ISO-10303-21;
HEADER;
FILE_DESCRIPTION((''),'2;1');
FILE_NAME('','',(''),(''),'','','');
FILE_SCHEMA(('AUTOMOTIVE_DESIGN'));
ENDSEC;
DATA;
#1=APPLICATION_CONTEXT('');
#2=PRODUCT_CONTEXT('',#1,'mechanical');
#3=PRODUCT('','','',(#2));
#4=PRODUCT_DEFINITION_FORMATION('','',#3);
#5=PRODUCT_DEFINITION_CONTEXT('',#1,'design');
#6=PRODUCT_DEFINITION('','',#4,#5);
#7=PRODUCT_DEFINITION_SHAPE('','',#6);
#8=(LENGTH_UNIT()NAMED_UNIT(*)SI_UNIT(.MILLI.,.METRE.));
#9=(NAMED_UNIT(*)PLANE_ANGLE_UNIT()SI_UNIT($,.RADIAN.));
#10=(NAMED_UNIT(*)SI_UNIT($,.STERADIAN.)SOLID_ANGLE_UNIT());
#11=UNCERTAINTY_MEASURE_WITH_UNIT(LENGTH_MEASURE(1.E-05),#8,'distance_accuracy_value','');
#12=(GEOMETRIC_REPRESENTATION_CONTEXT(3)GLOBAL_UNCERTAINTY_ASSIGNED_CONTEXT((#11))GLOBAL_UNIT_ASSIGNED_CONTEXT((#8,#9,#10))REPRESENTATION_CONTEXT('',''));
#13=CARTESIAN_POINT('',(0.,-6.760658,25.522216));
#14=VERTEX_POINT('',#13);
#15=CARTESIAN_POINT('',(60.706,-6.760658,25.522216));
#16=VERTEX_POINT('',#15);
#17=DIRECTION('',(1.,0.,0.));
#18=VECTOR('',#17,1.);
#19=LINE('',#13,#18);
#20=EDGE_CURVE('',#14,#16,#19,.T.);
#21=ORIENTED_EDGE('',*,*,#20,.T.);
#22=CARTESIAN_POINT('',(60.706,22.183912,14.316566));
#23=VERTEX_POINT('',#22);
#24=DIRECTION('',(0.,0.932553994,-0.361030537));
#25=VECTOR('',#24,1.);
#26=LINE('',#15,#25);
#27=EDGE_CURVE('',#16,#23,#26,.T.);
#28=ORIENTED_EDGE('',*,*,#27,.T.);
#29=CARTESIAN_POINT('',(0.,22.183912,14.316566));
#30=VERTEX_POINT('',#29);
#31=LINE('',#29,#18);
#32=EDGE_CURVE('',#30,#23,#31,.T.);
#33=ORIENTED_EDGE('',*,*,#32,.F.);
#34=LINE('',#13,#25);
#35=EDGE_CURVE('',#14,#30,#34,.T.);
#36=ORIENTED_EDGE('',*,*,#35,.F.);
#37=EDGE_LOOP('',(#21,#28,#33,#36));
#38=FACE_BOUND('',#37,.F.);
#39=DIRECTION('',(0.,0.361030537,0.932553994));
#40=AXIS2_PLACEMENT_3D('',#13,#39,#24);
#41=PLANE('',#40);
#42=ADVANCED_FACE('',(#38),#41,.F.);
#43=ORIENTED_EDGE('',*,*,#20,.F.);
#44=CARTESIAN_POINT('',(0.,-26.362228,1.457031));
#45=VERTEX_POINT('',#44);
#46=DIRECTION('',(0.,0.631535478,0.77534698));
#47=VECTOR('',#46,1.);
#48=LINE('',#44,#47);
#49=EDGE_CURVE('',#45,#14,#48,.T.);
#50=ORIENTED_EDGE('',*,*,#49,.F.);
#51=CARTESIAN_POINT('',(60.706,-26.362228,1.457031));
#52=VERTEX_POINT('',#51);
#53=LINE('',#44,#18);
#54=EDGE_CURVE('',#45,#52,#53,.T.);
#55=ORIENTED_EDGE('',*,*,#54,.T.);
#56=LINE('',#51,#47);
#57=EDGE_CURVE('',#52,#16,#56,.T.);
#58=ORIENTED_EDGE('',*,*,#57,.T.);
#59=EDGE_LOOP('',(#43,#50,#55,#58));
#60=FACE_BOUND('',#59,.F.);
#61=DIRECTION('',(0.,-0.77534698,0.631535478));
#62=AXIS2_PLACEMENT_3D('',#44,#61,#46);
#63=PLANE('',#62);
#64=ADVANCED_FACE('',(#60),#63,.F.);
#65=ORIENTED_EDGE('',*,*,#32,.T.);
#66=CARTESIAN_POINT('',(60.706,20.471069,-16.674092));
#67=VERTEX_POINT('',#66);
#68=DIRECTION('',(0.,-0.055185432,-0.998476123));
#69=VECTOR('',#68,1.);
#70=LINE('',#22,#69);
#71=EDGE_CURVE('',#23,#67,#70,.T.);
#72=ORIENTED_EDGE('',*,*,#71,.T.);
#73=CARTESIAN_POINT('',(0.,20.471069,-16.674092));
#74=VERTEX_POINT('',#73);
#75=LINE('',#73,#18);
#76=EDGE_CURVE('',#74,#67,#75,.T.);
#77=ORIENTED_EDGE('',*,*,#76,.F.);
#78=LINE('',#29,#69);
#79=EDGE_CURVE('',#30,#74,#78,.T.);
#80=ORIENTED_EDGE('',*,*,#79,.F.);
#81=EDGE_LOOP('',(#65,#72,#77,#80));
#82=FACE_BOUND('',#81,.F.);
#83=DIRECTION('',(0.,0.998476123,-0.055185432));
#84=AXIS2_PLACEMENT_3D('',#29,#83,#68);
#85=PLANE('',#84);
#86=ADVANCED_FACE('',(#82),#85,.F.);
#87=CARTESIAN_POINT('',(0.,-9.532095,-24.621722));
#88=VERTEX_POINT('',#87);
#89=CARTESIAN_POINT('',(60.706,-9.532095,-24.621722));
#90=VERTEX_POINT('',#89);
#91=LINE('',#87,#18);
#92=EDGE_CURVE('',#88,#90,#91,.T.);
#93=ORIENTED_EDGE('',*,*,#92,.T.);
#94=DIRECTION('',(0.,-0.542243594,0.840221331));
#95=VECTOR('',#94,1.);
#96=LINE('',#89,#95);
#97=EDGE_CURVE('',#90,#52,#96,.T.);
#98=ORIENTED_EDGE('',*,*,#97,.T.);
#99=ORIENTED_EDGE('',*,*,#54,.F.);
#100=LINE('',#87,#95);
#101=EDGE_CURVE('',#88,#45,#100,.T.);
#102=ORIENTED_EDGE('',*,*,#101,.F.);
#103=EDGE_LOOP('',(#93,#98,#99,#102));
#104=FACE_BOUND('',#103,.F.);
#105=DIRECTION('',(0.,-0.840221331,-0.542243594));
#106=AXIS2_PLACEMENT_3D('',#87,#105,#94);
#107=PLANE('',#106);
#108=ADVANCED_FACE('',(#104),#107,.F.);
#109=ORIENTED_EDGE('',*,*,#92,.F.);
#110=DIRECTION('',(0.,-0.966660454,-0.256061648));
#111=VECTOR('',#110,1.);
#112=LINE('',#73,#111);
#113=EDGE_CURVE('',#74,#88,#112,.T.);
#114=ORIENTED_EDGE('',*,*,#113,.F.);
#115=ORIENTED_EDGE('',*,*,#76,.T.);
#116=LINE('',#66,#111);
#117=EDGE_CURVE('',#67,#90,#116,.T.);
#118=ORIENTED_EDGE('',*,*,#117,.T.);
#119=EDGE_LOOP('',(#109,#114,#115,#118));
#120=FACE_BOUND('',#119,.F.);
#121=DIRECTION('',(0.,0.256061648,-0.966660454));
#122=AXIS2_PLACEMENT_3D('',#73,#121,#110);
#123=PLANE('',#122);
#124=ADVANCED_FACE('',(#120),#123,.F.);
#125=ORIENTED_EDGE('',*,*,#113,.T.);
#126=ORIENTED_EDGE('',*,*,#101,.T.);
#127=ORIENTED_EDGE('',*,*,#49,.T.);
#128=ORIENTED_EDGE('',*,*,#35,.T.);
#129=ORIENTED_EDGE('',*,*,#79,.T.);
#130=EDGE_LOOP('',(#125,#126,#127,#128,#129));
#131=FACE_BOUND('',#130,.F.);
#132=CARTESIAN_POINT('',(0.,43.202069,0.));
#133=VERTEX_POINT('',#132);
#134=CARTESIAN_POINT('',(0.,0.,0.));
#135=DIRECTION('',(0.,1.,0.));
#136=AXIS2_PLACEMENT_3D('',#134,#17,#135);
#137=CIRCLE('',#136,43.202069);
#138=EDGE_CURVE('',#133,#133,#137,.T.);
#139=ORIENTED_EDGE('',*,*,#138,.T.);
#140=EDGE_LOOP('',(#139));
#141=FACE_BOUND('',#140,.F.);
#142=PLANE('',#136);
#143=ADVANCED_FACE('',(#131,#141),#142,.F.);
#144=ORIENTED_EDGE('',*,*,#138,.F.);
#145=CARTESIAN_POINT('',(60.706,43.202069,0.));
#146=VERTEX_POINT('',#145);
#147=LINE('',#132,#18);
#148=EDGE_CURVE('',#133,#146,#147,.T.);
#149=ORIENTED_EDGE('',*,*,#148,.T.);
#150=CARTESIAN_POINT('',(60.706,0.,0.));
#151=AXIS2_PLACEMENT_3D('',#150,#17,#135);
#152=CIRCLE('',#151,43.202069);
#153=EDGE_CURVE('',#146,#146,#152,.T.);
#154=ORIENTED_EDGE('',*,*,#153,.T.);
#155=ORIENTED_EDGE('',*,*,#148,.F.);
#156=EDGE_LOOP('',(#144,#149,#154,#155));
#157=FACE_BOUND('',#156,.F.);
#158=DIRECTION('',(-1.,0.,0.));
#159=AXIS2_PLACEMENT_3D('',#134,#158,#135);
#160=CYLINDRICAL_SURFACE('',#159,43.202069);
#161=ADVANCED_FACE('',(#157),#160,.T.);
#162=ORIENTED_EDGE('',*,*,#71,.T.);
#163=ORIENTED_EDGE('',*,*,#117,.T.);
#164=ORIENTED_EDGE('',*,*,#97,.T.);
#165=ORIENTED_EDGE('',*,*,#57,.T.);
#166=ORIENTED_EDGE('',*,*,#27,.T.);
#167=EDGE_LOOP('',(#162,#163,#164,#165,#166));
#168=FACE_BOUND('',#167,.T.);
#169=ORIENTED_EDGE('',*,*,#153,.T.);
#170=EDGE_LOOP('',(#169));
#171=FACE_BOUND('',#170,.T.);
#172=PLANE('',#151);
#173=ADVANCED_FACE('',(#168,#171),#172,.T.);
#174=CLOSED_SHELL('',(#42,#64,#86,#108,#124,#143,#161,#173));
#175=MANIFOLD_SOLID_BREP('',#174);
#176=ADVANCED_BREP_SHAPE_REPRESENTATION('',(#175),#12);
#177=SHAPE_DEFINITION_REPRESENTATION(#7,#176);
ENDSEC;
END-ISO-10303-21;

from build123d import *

# Parameters (mm, degrees)
F1_R     = 43.202069
F2_DEPTH = 60.706


with BuildPart() as f2:
    # F1 (on face) → F2 (new body)
    with BuildSketch(Plane.YZ):
        Circle(F1_R)
        Polygon((-6.760658, 25.522216), (22.183912, 14.316566), (20.471069, -16.674092), (-9.532095, -24.621722), (-26.362228, 1.457031), align=None, mode=Mode.SUBTRACT)
    extrude(amount=F2_DEPTH)


solid = f2.part
